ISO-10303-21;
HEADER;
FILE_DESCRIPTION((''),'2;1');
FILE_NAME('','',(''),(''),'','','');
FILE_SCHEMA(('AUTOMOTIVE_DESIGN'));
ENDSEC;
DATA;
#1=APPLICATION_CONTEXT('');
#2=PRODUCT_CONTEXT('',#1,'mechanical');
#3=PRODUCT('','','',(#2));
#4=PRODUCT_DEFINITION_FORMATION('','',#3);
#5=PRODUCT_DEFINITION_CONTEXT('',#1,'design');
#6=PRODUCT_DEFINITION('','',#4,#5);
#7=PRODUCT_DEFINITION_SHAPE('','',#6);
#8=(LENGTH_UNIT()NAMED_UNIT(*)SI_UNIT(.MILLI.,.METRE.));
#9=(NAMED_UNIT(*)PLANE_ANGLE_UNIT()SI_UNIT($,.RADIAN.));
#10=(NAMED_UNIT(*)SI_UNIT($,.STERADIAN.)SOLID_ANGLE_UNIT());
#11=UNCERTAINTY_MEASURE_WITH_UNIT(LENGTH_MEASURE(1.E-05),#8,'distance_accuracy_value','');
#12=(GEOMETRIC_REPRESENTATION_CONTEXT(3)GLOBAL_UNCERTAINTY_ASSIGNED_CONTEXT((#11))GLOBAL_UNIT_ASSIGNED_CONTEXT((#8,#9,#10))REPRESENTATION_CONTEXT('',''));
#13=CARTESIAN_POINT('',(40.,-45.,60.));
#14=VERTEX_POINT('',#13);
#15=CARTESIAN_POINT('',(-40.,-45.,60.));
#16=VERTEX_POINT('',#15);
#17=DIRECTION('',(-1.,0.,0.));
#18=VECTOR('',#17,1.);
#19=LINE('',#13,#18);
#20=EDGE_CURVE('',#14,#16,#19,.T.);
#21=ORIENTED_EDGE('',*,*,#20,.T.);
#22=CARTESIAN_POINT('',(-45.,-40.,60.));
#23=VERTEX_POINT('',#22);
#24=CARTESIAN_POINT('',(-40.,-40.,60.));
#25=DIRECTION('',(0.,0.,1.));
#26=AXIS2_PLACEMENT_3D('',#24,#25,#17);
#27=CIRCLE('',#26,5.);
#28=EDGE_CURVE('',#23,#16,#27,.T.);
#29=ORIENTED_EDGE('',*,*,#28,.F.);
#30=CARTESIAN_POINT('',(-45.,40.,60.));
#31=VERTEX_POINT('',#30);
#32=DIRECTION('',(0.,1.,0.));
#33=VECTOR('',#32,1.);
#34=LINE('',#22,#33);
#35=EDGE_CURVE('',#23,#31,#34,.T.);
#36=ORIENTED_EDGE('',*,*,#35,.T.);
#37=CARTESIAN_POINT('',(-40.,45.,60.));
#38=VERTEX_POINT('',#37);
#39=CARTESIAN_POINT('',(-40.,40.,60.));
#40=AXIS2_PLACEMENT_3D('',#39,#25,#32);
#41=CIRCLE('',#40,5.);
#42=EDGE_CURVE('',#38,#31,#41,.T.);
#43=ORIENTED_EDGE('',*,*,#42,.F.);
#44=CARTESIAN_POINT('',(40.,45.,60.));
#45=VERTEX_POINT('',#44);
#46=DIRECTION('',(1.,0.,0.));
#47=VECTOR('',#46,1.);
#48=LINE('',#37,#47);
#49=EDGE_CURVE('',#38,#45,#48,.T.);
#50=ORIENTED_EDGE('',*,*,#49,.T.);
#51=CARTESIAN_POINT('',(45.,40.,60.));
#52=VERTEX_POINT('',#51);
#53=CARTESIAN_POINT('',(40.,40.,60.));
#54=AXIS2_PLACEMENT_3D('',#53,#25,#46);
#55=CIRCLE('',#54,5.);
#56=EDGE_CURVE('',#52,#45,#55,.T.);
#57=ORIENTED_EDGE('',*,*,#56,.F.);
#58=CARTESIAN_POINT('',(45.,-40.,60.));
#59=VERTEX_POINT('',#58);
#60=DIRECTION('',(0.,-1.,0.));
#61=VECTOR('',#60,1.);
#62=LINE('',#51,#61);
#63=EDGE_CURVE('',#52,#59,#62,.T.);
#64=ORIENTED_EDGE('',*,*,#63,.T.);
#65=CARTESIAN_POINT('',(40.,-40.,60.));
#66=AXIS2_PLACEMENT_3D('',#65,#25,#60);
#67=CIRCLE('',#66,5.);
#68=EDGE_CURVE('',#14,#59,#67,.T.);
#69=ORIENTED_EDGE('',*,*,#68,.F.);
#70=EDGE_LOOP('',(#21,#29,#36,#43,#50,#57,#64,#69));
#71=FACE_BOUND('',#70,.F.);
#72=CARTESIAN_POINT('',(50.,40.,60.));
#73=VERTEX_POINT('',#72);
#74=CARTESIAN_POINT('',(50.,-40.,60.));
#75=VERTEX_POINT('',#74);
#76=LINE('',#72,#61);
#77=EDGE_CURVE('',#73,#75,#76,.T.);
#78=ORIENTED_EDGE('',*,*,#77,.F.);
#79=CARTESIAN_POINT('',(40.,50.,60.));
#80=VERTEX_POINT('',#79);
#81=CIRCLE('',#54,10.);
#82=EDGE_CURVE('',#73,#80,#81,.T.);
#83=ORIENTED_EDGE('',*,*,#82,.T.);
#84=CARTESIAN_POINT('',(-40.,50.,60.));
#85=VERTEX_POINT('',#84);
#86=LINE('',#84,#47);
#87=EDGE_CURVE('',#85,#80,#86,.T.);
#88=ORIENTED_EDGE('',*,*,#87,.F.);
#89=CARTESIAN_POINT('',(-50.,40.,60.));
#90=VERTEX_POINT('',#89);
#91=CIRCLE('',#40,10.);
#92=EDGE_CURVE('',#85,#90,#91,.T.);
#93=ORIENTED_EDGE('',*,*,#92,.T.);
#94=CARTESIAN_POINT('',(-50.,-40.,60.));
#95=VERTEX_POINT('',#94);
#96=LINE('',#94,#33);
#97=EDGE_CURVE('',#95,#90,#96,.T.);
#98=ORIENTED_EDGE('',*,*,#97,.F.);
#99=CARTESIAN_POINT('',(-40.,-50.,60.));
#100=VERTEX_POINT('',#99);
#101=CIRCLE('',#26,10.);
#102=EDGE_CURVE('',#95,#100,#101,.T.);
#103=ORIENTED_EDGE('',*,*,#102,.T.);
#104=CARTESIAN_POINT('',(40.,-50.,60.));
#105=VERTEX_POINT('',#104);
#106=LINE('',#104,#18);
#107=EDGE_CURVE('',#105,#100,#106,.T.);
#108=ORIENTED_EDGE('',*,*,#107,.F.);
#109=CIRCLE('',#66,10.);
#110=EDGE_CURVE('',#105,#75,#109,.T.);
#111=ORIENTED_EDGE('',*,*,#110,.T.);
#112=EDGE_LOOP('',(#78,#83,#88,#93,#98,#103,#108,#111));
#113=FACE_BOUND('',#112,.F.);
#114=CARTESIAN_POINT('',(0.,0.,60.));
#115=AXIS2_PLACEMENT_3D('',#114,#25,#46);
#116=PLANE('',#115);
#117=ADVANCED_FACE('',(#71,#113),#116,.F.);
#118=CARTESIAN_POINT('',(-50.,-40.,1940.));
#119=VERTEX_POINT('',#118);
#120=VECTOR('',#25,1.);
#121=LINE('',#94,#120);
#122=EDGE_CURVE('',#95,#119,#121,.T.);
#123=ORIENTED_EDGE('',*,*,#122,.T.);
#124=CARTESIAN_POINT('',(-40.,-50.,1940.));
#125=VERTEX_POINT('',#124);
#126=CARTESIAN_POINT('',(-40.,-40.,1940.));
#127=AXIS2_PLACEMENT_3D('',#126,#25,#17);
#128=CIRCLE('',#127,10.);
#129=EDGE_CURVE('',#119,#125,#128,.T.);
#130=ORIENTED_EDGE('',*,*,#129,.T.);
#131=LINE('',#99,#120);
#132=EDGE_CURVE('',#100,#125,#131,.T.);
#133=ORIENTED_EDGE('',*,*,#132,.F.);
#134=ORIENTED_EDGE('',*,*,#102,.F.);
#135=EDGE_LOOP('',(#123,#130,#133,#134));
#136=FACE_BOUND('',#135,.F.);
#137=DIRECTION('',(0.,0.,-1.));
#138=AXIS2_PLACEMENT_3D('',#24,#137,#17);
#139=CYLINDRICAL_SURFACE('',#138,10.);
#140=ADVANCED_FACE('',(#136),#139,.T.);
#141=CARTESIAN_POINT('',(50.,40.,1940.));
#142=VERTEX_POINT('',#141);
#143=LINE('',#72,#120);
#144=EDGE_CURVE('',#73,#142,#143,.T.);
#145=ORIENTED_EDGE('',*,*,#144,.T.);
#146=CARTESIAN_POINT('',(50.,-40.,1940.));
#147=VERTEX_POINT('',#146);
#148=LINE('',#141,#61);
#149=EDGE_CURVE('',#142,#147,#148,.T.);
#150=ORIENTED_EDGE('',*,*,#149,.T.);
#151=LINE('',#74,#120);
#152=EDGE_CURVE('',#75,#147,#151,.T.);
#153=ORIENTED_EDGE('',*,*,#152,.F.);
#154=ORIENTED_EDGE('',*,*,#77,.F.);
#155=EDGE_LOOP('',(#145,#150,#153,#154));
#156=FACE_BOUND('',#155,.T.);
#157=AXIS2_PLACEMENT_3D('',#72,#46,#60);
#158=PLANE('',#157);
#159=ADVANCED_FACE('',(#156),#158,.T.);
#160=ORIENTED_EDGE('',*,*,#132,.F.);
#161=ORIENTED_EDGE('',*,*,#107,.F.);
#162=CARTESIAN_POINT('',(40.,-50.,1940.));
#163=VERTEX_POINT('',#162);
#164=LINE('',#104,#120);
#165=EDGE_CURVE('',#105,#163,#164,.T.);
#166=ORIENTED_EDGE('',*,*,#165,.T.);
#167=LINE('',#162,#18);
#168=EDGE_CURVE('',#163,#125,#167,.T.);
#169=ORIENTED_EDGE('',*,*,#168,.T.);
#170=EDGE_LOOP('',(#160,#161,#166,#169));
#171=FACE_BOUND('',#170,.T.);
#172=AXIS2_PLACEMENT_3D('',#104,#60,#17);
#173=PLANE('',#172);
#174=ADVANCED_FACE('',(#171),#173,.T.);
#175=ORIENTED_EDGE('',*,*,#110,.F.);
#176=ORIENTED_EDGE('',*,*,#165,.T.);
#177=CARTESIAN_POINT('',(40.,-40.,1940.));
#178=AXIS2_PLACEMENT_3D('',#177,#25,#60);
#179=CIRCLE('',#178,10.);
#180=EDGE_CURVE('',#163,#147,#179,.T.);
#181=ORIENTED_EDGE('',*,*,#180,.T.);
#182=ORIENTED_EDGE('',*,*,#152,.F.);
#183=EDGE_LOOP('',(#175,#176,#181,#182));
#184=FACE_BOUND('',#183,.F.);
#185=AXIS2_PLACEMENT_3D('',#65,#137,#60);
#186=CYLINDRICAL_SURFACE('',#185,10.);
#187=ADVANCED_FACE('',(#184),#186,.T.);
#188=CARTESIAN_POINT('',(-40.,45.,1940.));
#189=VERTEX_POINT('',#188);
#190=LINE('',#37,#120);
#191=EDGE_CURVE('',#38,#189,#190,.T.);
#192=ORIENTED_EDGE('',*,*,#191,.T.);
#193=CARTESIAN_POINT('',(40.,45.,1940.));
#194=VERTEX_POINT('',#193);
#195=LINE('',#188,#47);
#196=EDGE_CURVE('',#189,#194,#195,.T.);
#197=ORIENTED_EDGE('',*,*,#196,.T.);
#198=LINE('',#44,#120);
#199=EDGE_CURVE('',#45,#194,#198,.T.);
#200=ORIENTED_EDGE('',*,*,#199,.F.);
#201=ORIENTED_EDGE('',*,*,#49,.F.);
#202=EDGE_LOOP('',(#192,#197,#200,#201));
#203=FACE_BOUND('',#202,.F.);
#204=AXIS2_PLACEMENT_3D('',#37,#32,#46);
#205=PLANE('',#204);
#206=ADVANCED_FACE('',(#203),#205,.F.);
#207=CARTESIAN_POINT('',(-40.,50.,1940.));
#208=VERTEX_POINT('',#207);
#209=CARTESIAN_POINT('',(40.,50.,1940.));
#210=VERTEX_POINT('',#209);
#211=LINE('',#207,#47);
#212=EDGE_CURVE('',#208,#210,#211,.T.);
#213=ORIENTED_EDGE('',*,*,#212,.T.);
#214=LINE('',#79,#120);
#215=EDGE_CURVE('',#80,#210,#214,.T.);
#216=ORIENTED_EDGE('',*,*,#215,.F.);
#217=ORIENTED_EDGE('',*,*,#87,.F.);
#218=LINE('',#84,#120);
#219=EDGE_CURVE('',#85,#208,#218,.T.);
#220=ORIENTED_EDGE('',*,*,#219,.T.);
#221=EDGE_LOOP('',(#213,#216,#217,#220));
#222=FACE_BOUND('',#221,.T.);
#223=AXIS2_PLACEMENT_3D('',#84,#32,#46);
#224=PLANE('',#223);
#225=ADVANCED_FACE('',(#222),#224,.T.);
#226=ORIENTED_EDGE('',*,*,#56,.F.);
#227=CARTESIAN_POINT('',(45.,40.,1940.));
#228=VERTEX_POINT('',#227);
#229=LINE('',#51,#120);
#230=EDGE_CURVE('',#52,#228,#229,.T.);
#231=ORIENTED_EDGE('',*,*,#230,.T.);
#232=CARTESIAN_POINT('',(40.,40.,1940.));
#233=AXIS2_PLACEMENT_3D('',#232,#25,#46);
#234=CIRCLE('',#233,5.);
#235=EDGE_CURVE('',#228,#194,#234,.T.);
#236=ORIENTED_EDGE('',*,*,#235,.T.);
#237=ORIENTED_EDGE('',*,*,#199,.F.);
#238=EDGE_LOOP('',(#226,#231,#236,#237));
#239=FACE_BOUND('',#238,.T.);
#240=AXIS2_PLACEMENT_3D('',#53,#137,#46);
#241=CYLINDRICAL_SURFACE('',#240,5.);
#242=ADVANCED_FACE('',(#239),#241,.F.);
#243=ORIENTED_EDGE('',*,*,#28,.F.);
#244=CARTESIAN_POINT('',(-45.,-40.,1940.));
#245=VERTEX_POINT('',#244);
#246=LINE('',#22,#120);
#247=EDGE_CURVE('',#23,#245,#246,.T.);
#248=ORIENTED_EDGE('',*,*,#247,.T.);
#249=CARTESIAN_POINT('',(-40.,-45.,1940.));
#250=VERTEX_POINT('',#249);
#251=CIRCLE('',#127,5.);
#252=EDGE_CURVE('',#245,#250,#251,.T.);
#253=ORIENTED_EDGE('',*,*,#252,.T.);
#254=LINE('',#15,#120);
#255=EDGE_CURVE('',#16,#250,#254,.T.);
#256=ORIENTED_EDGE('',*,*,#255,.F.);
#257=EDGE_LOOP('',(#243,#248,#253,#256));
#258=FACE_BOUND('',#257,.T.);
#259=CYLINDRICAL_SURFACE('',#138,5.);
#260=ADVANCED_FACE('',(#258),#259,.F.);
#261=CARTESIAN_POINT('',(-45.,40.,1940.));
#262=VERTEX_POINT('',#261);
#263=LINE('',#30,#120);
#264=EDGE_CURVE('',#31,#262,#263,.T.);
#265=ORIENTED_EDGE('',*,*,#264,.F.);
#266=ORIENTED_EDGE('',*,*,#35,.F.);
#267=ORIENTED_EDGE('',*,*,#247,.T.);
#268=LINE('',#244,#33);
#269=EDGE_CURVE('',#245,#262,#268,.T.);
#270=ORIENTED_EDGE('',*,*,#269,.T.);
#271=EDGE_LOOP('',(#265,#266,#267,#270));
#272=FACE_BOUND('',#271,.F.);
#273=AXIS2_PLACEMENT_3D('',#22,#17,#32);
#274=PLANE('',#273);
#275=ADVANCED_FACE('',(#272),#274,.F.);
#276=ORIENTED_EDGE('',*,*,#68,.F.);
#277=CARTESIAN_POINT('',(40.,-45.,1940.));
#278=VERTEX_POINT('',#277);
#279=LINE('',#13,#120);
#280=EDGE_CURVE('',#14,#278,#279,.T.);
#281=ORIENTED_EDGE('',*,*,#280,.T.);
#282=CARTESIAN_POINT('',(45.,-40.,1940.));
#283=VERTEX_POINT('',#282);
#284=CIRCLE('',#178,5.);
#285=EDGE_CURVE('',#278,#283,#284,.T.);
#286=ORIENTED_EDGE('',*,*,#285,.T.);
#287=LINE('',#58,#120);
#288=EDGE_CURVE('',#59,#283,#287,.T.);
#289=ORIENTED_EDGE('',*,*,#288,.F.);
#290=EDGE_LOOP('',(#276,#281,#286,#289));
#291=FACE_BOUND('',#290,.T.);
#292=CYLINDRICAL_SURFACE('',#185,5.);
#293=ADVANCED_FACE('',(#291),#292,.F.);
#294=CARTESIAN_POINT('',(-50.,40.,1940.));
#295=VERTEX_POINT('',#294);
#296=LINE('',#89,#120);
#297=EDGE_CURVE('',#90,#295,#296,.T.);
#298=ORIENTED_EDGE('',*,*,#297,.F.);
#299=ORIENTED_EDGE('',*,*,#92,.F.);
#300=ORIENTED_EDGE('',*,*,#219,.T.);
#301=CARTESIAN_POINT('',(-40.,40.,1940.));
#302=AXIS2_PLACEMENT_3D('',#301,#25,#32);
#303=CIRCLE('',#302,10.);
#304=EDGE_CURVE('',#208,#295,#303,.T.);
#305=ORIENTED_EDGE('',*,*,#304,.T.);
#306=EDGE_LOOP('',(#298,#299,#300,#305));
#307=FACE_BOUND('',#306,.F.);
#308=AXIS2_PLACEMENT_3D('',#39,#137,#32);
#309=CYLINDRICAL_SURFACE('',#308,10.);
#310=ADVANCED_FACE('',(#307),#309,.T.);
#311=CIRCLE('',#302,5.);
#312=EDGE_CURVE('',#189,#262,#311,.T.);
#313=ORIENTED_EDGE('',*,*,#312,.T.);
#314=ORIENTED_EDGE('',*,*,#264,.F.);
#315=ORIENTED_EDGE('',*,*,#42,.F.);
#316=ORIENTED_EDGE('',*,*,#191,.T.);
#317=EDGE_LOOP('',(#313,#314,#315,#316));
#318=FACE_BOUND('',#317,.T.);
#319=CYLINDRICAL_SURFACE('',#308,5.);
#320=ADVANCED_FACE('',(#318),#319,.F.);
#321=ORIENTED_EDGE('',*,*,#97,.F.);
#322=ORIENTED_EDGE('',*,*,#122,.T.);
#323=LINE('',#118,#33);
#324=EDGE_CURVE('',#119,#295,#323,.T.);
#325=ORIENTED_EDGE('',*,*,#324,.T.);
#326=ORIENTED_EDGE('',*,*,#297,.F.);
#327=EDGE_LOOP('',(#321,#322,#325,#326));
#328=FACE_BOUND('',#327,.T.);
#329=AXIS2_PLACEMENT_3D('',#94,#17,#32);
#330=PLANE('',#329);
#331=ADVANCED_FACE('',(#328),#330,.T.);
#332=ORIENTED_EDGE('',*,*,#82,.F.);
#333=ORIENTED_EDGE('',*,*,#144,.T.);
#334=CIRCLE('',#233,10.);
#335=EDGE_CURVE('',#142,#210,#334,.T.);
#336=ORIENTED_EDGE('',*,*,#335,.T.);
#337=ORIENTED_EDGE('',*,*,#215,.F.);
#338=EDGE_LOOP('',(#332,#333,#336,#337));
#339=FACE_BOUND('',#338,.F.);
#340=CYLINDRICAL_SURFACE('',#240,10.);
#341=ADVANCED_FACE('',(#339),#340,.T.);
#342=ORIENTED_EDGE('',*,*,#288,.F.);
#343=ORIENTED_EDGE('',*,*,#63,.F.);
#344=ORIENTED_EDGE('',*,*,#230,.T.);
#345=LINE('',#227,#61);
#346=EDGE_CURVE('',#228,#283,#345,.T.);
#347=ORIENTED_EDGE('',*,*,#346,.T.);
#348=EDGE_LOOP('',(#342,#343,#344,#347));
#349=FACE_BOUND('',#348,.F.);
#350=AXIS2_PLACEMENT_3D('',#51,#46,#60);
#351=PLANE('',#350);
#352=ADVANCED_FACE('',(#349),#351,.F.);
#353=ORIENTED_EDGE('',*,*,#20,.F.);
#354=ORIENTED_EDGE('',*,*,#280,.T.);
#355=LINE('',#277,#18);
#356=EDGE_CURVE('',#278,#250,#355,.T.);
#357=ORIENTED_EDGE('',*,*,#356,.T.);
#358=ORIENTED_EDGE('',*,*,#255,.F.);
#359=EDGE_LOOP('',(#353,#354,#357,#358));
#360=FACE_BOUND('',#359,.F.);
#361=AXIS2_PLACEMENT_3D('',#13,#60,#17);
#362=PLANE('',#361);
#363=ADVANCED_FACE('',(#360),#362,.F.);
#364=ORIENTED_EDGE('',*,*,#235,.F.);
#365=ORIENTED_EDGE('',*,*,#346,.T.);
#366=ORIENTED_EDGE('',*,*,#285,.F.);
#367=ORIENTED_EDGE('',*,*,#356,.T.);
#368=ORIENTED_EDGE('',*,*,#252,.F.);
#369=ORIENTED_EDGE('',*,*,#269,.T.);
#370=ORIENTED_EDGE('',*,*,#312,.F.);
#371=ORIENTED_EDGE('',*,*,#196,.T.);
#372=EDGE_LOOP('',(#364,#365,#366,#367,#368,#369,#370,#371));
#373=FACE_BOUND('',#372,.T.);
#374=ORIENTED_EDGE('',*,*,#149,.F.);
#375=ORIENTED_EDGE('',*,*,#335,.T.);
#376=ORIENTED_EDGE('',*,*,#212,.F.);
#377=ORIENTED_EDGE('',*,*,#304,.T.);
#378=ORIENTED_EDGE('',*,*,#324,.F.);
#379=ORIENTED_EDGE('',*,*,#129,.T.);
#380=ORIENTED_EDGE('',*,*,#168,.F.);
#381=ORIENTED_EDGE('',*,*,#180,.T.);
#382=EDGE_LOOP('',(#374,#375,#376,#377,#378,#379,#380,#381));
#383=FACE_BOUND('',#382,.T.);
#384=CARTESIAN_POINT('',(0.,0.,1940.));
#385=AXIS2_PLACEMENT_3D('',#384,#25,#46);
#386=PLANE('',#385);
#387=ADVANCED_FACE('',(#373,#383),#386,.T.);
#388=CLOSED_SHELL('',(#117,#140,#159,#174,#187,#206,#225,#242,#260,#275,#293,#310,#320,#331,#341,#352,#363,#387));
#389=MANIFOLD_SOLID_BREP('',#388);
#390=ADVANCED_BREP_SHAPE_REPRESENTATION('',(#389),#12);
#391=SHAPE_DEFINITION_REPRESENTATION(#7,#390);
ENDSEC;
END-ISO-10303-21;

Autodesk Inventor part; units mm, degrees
ref_plane "Start plane" through (0, 0, 60) normal (0, 0, 1) x (1, 0, 0)
ref_plane "End plane" through (0, 0, 1940) normal (0, 0, 1) x (1, 0, 0)
sketch "Sketch" plane through (0, 0, 0) normal (0, 0, 1) x (1, 0, 0)
  line L0 (-50, -40) -> (-50, 40)
  line L1 (-40, 50) -> (40, 50)
  line L2 (50, 40) -> (50, -40)
  line L3 (40, -50) -> (-40, -50)
  arc A0 (-50, -40) -> (-40, -50) centre (-40, -40) ccw
  arc A1 (50, 40) -> (40, 50) centre (40, 40) ccw
  arc A2 (-40, 50) -> (-50, 40) centre (-40, 40) ccw
  arc A3 (40, -50) -> (50, -40) centre (40, -40) ccw
  arc A4 (-40, 45) -> (-45, 40) centre (-40, 40) ccw
  line L4 (-40, 45) -> (40, 45)
  arc A5 (45, 40) -> (40, 45) centre (40, 40) ccw
  line L5 (45, 40) -> (45, -40)
  arc A6 (40, -45) -> (45, -40) centre (40, -40) ccw
  line L6 (40, -45) -> (-40, -45)
  arc A7 (-45, -40) -> (-40, -45) centre (-40, -40) ccw
  line L7 (-45, -40) -> (-45, 40)
  line L8 (0, 72.8995) -> (0, -72.8995) construction
  line L9 (-72.8995, 0) -> (72.8995, 0) construction
  dimension "d7" = 10
  dimension "d9" = 100
  dimension "d11" = 100
  dimension "d12" = 5
  dimension "d15" = 50
  dimension "d16" = 50
extrude "Body" add sketch "Sketch" along normal up to surface (1880 mm away) from surface at 60
sketch "Sketch3" plane through (0, 0, 0) normal (0, 0, 1) x (1, 0, 0)
  line L0 (0, 0) -> (10, 0)
ref_plane "Work Plane3" through (0, 0, 0) normal (0, -1, 0) x (1, 0, 0)
ref_plane "Work Plane4" through (-1850, -50, 60) normal (0, 0, -1) x (-1, 0, 0)
split "Split1" plane through (-1850, -50, 60) removes the side toward (0, 0, -1)
ref_plane "Work Plane5" through (150, -50, 1940) normal (0, 0, 1) x (1, 0, 0)
split "Split2" plane through (150, -50, 1940) removes the side toward (0, 0, 1)
sketch "Sketch4" plane through (0, 0, 0) normal (0, -1, 0) x (1, 0, 0)
  line L0 (-2, 60) -> (12, 60) projected
  line L1 (-2, 1940) -> (12, 1940) projected
  dimension "d18" = 1880
equation "\"d7\" = G_IR"
equation "\"d9\" = G_W"
equation "\"d11\" = G_H"
equation "\"d12\" = G_T"
equation "\"d15\" = 0.5 * d9"
equation "\"d16\" = 0.5 * d11"
equation "\"d3\" = G_L"
equation "\"G_W\" = 100"
equation "\"G_H\" = 100"
equation "\"G_T\" = 5"
equation "\"G_IR\" = 10"
equation "\"G_L\" = d18"
properties part number "ISO 10799-2 - 100x100x5 - 1880" material "Steel, Mild"
